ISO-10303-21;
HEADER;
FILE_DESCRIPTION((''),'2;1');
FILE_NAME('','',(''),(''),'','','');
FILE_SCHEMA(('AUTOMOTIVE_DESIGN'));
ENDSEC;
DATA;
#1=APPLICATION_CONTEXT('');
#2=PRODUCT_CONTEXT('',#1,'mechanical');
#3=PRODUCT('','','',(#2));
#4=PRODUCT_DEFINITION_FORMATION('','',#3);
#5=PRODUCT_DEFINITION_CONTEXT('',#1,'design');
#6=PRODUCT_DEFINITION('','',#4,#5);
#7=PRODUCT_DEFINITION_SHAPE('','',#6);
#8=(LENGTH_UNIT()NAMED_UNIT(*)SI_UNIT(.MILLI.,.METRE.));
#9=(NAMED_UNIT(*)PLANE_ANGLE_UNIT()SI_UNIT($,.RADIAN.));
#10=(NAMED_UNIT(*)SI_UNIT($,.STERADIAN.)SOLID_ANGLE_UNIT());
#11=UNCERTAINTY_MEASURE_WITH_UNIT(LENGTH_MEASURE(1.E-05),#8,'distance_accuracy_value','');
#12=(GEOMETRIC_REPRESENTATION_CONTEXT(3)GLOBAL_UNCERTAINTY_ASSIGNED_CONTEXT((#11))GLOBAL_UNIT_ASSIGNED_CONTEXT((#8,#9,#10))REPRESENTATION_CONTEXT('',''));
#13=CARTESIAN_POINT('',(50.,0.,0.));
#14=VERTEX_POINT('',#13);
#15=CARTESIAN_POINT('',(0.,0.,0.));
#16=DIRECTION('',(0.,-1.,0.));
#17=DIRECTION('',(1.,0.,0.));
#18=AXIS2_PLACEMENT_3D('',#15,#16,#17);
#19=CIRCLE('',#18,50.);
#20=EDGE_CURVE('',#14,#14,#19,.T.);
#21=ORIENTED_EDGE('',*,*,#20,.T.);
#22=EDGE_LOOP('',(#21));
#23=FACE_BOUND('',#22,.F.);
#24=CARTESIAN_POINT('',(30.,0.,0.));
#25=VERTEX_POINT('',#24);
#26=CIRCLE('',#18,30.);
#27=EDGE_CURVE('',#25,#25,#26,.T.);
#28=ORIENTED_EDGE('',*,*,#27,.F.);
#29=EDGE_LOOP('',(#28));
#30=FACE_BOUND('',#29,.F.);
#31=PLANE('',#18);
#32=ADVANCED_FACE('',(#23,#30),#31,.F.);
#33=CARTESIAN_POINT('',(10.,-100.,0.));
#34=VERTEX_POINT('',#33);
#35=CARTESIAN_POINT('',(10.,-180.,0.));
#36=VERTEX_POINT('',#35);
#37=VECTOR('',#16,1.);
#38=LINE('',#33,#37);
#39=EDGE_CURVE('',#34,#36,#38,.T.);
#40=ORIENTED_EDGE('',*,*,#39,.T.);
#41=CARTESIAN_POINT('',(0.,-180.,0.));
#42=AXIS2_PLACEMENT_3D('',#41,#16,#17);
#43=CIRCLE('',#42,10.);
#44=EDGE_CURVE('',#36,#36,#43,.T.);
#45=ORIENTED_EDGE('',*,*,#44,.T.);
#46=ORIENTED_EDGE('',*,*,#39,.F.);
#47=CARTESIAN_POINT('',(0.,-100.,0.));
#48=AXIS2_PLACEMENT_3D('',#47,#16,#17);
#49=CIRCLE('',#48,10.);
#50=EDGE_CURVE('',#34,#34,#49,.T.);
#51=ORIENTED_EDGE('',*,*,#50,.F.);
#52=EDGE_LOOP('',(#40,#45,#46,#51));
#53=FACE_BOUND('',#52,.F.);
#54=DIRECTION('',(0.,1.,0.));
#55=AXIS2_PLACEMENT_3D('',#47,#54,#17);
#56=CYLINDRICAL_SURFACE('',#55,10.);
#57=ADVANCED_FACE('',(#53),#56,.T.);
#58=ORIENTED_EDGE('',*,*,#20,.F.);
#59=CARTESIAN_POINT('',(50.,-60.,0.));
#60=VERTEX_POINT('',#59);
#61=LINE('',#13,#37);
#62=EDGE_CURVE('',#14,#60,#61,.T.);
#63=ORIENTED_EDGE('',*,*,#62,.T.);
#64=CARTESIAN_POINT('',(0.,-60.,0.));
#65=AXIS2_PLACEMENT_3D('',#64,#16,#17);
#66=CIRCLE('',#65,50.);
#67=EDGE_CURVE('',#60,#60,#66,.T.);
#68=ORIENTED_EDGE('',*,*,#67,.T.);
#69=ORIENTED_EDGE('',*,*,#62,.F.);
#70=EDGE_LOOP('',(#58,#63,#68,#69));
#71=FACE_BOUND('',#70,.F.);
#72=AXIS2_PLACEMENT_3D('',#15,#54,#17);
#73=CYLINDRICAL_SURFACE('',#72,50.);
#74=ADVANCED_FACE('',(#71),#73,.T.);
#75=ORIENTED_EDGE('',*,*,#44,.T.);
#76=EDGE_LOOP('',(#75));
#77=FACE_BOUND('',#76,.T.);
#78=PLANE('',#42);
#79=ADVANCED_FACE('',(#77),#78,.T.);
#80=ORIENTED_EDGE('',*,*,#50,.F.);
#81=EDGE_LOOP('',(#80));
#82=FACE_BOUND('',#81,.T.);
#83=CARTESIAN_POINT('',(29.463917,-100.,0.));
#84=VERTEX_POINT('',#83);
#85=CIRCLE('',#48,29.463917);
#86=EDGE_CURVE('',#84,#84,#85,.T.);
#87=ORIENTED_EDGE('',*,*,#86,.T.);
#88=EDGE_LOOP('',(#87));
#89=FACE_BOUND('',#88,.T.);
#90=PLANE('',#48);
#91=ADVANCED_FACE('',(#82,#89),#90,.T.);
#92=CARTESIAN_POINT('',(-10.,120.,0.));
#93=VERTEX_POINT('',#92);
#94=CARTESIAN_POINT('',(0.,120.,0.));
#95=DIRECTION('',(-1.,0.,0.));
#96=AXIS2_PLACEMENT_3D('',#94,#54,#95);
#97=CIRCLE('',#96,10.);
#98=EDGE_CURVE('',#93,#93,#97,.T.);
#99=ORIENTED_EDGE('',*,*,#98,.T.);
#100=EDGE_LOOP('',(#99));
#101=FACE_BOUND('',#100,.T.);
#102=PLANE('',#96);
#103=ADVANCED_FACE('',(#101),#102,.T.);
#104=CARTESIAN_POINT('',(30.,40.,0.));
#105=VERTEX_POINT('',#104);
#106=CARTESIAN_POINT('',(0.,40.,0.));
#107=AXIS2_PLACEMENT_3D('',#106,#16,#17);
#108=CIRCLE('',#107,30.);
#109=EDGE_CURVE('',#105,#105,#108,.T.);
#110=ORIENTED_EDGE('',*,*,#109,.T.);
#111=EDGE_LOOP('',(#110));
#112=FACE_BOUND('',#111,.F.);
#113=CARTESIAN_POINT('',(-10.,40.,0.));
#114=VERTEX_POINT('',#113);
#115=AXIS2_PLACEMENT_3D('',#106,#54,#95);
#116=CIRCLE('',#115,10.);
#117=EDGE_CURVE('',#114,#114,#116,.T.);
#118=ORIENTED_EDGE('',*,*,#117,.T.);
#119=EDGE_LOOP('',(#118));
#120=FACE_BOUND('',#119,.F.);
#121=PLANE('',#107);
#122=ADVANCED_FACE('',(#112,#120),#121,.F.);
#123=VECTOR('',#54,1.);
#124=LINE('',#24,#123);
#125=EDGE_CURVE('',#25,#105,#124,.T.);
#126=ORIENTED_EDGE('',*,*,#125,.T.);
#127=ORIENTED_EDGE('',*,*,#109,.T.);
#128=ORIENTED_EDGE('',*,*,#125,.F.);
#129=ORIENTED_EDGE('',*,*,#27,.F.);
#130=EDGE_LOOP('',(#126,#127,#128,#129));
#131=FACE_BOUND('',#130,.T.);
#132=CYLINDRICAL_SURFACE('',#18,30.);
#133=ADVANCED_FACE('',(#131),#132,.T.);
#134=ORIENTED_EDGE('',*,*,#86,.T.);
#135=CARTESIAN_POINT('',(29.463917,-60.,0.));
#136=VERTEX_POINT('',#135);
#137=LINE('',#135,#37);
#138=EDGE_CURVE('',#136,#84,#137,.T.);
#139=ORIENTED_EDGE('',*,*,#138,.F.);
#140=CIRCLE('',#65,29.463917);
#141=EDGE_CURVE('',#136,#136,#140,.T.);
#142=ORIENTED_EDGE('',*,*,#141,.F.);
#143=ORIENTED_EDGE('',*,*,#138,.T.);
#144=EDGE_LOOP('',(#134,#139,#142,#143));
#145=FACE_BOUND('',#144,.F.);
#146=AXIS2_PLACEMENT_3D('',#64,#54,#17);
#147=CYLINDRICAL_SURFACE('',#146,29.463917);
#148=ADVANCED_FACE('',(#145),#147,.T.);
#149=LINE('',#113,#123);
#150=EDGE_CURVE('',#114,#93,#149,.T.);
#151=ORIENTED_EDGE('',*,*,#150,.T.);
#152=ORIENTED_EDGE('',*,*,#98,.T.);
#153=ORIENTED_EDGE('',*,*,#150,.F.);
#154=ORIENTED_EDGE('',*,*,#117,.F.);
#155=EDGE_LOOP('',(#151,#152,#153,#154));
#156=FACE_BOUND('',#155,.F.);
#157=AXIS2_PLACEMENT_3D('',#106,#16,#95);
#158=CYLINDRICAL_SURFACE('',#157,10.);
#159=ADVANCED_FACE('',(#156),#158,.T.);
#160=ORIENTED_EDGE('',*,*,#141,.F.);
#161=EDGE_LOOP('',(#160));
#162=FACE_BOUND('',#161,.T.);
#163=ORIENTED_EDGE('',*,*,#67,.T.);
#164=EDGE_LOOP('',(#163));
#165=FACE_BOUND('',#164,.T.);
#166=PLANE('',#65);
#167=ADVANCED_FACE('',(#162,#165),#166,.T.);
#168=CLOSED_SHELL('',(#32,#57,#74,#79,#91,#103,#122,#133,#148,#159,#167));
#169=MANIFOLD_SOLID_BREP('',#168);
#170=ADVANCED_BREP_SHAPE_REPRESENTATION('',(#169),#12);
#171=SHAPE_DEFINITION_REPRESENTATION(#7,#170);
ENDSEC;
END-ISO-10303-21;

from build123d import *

# Parameters (mm, degrees)
F0_R     = 50
F1_DEPTH = 60
F2_R     = 30
F3_DEPTH = 40
F4_R     = 10
F5_DEPTH = 80
F6_R     = 29.463917
F7_DEPTH = 40
F8_R     = 10
F9_DEPTH = 80


with BuildPart() as f1:
    # F0 (on Front) → F1 (new body)
    with BuildSketch(Plane.XZ):
        Circle(F0_R)
    extrude(amount=F1_DEPTH)

    # F2 (on Front) → F3 (join)
    with BuildSketch(Plane.XZ):
        Circle(F2_R)
    extrude(amount=-F3_DEPTH)

    # F4 (on face) → F5 (join)
    with BuildSketch(Plane(origin=(0, 40, 0), x_dir=(-1, 0, 0), z_dir=(0, 1, 0))):
        Circle(F4_R)
    extrude(amount=F5_DEPTH)

    # F6 (on face) → F7 (join)
    with BuildSketch(Plane.XZ.offset(60)):
        Circle(F6_R)
    extrude(amount=F7_DEPTH)

    # F8 (on face) → F9 (join)
    with BuildSketch(Plane.XZ.offset(100)):
        Circle(F8_R)
    extrude(amount=F9_DEPTH)


solid = f1.part
